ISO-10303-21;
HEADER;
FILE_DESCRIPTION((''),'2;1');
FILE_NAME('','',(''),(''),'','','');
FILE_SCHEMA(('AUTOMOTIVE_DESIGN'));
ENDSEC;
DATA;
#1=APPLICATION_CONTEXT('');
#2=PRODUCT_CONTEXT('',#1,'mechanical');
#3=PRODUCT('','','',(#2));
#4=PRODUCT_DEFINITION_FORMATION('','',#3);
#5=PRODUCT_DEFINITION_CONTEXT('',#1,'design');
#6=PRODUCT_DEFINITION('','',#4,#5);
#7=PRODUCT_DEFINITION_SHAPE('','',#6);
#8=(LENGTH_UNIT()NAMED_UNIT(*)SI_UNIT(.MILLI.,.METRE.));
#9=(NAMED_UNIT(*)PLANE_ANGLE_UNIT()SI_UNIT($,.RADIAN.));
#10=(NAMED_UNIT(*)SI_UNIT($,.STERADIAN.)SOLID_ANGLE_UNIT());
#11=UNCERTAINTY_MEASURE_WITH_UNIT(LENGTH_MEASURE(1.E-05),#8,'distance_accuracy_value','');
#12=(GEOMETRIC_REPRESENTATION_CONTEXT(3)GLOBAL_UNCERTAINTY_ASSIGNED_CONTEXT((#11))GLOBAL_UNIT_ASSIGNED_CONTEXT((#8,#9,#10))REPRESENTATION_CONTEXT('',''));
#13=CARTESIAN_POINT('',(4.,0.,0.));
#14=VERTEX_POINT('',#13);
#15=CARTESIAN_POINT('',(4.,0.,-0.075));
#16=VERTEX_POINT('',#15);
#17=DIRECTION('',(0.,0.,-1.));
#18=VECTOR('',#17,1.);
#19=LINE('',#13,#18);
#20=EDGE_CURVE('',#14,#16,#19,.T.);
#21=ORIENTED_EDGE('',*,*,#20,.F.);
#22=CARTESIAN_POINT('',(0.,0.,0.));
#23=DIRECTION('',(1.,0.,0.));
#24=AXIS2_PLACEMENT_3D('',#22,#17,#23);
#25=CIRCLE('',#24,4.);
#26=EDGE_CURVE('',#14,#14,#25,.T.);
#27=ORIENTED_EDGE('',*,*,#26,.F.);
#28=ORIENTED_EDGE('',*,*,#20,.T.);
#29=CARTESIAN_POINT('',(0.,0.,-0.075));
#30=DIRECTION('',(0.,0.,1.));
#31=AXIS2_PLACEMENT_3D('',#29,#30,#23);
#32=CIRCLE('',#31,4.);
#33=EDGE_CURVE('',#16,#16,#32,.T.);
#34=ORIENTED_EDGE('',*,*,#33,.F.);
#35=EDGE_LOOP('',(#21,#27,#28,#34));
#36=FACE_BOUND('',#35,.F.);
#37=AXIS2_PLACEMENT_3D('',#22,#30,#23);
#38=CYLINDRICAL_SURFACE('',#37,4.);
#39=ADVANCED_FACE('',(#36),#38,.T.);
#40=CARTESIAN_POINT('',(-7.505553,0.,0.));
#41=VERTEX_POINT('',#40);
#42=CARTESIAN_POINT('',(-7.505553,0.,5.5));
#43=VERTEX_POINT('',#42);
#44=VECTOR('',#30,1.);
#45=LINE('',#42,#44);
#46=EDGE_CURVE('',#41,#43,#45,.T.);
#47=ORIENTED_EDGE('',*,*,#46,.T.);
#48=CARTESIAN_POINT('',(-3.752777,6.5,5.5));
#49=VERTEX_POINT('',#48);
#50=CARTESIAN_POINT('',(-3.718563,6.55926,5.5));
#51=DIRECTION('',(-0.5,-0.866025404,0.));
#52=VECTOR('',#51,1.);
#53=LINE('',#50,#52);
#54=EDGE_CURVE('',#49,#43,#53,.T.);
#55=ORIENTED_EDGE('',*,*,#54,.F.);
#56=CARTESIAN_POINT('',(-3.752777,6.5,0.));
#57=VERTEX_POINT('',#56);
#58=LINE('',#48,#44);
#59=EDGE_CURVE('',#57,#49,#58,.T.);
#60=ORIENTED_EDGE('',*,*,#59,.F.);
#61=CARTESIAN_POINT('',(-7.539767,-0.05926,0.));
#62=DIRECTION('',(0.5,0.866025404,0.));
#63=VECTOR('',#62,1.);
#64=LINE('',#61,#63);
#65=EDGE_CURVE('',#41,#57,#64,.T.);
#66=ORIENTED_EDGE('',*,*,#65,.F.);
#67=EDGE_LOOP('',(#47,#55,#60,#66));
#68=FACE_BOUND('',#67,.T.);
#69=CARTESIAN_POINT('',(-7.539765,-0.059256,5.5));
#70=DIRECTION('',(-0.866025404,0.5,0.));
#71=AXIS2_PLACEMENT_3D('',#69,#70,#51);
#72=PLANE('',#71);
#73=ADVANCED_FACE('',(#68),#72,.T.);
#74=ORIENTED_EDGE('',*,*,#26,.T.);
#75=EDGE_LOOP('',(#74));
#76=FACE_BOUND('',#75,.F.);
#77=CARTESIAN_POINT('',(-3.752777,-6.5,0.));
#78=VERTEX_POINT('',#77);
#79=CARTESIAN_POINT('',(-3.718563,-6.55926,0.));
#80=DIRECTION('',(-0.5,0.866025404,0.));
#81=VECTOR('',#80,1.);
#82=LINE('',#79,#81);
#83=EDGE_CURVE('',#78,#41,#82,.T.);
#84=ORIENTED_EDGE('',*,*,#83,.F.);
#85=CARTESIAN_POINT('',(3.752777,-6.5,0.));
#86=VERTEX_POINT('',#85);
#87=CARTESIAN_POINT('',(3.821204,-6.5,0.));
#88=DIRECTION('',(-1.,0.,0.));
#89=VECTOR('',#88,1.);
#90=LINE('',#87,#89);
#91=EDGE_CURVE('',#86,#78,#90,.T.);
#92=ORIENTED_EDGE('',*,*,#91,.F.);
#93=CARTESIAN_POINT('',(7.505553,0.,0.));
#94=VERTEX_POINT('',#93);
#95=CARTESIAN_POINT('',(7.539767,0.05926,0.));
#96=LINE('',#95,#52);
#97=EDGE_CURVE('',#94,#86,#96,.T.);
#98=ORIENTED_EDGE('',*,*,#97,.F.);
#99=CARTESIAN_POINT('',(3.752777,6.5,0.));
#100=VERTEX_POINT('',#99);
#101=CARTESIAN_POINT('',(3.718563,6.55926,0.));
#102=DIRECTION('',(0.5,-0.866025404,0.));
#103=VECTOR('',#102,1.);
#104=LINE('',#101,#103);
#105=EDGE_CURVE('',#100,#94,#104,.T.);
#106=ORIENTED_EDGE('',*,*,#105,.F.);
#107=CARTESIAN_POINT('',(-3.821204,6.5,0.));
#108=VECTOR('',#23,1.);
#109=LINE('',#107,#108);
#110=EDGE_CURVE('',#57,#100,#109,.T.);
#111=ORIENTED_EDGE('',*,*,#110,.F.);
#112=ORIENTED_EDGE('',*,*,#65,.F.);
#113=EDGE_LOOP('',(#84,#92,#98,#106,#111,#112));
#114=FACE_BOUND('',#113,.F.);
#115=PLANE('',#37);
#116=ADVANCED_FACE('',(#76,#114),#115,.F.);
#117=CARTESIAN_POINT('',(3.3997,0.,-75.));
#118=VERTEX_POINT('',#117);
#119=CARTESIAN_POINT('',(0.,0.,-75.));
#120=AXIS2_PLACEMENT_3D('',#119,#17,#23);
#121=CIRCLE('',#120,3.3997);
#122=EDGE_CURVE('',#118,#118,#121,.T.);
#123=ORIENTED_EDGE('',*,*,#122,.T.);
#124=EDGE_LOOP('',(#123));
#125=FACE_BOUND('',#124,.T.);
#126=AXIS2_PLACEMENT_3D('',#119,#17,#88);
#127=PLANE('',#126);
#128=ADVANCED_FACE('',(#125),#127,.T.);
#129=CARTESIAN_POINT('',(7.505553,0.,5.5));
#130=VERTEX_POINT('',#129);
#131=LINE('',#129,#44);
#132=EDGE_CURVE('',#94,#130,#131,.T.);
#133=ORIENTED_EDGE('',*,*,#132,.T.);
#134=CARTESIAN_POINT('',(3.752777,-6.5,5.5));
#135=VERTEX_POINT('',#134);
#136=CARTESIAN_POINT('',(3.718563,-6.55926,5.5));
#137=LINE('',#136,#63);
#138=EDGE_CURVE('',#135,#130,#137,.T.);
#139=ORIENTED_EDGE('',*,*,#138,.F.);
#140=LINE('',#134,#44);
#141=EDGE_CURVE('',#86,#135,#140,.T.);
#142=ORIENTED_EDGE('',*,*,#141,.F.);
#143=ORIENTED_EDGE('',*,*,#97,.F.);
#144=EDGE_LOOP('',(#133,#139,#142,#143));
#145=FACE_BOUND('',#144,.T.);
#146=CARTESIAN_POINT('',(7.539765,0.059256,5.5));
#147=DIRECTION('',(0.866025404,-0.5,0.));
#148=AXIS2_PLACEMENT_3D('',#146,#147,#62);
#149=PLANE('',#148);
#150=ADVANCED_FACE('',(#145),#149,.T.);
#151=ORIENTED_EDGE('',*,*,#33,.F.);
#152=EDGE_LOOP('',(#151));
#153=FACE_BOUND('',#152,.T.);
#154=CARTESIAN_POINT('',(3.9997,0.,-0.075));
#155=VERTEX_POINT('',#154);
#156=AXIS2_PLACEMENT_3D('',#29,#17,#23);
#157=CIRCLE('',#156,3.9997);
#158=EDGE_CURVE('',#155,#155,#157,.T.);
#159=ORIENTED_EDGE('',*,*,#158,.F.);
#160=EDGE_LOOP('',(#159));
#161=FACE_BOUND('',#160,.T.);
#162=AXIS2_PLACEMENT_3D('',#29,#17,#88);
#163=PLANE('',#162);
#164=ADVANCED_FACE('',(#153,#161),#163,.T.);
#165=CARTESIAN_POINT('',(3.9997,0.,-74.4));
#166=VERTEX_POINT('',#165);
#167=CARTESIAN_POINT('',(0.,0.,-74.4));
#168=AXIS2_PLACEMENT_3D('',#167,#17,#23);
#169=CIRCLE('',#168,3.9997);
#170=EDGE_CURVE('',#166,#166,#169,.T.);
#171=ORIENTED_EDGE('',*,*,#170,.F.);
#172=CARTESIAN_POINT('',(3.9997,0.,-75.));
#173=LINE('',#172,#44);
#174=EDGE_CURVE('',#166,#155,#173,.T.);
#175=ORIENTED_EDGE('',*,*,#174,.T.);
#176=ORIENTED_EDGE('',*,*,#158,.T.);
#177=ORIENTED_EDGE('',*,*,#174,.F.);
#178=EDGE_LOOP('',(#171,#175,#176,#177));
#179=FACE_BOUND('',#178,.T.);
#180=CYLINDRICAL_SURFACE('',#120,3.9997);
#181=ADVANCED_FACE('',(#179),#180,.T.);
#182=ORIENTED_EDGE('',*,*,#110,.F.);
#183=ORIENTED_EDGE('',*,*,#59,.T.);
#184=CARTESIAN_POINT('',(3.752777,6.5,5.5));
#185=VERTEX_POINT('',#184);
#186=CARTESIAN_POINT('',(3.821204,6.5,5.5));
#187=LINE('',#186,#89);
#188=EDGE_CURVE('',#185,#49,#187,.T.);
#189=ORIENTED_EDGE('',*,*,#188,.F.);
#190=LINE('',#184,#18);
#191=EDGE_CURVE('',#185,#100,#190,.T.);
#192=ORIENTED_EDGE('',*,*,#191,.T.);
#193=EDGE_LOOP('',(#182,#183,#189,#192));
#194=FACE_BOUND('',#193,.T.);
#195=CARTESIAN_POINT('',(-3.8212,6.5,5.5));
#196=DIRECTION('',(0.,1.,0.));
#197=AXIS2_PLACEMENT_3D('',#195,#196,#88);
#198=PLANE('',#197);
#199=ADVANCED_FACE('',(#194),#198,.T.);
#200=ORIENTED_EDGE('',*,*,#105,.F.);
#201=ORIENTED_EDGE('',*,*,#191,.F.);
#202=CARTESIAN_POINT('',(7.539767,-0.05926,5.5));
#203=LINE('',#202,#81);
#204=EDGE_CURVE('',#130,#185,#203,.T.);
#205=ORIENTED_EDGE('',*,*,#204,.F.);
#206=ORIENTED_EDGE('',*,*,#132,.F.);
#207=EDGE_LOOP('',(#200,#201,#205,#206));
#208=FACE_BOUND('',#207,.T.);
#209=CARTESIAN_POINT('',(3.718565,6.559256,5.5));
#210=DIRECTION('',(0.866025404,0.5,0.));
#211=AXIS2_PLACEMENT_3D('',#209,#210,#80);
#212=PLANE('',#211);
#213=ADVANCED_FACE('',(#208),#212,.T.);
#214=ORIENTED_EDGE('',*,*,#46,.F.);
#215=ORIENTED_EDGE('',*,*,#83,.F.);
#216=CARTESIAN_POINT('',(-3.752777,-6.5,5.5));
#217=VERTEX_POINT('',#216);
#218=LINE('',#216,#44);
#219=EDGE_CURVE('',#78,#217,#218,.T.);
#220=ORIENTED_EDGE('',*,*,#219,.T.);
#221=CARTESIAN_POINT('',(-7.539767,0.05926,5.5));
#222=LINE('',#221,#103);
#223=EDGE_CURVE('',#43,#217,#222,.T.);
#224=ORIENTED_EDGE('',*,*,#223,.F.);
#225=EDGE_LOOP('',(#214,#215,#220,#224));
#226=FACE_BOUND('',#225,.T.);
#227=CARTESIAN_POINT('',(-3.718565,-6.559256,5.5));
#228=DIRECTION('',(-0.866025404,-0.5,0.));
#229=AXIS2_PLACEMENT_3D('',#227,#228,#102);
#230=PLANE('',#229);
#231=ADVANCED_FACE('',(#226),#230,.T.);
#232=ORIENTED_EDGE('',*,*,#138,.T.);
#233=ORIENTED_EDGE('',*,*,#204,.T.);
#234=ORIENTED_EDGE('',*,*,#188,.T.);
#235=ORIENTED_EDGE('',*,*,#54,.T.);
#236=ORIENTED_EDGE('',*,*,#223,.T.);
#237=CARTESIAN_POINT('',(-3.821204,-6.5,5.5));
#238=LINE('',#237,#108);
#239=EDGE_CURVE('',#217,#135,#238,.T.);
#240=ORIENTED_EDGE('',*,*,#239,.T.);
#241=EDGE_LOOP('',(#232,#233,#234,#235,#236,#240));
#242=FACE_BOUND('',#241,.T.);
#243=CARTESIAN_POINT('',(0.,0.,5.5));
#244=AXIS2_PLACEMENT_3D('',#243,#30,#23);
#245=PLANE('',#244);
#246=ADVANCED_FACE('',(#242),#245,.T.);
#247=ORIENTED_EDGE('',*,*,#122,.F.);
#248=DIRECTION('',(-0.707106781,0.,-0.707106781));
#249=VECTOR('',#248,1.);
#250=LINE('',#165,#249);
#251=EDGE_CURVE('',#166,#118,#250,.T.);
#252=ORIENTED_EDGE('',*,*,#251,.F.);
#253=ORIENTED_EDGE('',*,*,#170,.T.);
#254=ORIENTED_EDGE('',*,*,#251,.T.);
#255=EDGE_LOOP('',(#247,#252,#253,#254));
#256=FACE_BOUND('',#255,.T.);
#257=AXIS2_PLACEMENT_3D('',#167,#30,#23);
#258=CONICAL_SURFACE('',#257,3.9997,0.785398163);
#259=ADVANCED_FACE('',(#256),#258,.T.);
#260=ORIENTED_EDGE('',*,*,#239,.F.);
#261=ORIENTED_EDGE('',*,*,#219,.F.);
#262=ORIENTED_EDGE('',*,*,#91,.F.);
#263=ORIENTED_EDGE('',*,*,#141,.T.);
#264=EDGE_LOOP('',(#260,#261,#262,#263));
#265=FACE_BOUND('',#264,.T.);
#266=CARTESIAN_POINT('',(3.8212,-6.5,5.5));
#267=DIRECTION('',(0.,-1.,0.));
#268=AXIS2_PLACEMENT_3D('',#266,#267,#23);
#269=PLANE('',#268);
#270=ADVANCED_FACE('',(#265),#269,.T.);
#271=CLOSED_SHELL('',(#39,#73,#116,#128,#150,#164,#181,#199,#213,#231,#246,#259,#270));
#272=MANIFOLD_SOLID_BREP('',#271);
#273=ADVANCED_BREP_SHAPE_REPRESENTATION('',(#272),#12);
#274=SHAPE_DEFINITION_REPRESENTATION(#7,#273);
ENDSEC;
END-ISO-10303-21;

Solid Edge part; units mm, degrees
sketch "Sketch1" plane through (0, 0, 0) normal (0, 0, 1) x (1, 0, 0)
  circle A0 centre (0, 0) radius 7.54
  dimension "D1" = 15.08
extrude "Protrusion1" add sketch "Sketch1" along normal blind 5.5
sketch "Sketch2" plane through (0, 0, 0) normal (0, 0, -1) x (1, 0, 0)
  circle A0 centre (0, 0) radius 4
extrude "Protrusion2" add sketch "Sketch2" along normal blind 75
sketch "Sketch3" plane through (0, 0, -75) normal (0, 0, -1) x (1, 0, 0)
  circle A0 centre (0, 0) radius 3.9997
extrude "Cutout1" cut sketch "Sketch3" against normal blind 74.925 flip side to cut
chamfer "Chamfer_1" distance 0.6 angle 45 1 edges at (-3.9997, 0, -75)
sketch "Sketch4" plane through (0, 0, 5.5) normal (0, 0, 1) x (1, 0, 0)
  line L0 (-3.8212, 6.5) -> (3.8212, 6.5)
  dimension "D1" = 13
extrude "Cutout2" cut sketch "Sketch4" against normal up to next material side at (0, 6.55, 5.5)
pattern_circular "Pattern1" count 6 over 360 about axis through (0, 0, 5.5) along (0, 0, 1) of "Cutout2"
properties part number "185632"
